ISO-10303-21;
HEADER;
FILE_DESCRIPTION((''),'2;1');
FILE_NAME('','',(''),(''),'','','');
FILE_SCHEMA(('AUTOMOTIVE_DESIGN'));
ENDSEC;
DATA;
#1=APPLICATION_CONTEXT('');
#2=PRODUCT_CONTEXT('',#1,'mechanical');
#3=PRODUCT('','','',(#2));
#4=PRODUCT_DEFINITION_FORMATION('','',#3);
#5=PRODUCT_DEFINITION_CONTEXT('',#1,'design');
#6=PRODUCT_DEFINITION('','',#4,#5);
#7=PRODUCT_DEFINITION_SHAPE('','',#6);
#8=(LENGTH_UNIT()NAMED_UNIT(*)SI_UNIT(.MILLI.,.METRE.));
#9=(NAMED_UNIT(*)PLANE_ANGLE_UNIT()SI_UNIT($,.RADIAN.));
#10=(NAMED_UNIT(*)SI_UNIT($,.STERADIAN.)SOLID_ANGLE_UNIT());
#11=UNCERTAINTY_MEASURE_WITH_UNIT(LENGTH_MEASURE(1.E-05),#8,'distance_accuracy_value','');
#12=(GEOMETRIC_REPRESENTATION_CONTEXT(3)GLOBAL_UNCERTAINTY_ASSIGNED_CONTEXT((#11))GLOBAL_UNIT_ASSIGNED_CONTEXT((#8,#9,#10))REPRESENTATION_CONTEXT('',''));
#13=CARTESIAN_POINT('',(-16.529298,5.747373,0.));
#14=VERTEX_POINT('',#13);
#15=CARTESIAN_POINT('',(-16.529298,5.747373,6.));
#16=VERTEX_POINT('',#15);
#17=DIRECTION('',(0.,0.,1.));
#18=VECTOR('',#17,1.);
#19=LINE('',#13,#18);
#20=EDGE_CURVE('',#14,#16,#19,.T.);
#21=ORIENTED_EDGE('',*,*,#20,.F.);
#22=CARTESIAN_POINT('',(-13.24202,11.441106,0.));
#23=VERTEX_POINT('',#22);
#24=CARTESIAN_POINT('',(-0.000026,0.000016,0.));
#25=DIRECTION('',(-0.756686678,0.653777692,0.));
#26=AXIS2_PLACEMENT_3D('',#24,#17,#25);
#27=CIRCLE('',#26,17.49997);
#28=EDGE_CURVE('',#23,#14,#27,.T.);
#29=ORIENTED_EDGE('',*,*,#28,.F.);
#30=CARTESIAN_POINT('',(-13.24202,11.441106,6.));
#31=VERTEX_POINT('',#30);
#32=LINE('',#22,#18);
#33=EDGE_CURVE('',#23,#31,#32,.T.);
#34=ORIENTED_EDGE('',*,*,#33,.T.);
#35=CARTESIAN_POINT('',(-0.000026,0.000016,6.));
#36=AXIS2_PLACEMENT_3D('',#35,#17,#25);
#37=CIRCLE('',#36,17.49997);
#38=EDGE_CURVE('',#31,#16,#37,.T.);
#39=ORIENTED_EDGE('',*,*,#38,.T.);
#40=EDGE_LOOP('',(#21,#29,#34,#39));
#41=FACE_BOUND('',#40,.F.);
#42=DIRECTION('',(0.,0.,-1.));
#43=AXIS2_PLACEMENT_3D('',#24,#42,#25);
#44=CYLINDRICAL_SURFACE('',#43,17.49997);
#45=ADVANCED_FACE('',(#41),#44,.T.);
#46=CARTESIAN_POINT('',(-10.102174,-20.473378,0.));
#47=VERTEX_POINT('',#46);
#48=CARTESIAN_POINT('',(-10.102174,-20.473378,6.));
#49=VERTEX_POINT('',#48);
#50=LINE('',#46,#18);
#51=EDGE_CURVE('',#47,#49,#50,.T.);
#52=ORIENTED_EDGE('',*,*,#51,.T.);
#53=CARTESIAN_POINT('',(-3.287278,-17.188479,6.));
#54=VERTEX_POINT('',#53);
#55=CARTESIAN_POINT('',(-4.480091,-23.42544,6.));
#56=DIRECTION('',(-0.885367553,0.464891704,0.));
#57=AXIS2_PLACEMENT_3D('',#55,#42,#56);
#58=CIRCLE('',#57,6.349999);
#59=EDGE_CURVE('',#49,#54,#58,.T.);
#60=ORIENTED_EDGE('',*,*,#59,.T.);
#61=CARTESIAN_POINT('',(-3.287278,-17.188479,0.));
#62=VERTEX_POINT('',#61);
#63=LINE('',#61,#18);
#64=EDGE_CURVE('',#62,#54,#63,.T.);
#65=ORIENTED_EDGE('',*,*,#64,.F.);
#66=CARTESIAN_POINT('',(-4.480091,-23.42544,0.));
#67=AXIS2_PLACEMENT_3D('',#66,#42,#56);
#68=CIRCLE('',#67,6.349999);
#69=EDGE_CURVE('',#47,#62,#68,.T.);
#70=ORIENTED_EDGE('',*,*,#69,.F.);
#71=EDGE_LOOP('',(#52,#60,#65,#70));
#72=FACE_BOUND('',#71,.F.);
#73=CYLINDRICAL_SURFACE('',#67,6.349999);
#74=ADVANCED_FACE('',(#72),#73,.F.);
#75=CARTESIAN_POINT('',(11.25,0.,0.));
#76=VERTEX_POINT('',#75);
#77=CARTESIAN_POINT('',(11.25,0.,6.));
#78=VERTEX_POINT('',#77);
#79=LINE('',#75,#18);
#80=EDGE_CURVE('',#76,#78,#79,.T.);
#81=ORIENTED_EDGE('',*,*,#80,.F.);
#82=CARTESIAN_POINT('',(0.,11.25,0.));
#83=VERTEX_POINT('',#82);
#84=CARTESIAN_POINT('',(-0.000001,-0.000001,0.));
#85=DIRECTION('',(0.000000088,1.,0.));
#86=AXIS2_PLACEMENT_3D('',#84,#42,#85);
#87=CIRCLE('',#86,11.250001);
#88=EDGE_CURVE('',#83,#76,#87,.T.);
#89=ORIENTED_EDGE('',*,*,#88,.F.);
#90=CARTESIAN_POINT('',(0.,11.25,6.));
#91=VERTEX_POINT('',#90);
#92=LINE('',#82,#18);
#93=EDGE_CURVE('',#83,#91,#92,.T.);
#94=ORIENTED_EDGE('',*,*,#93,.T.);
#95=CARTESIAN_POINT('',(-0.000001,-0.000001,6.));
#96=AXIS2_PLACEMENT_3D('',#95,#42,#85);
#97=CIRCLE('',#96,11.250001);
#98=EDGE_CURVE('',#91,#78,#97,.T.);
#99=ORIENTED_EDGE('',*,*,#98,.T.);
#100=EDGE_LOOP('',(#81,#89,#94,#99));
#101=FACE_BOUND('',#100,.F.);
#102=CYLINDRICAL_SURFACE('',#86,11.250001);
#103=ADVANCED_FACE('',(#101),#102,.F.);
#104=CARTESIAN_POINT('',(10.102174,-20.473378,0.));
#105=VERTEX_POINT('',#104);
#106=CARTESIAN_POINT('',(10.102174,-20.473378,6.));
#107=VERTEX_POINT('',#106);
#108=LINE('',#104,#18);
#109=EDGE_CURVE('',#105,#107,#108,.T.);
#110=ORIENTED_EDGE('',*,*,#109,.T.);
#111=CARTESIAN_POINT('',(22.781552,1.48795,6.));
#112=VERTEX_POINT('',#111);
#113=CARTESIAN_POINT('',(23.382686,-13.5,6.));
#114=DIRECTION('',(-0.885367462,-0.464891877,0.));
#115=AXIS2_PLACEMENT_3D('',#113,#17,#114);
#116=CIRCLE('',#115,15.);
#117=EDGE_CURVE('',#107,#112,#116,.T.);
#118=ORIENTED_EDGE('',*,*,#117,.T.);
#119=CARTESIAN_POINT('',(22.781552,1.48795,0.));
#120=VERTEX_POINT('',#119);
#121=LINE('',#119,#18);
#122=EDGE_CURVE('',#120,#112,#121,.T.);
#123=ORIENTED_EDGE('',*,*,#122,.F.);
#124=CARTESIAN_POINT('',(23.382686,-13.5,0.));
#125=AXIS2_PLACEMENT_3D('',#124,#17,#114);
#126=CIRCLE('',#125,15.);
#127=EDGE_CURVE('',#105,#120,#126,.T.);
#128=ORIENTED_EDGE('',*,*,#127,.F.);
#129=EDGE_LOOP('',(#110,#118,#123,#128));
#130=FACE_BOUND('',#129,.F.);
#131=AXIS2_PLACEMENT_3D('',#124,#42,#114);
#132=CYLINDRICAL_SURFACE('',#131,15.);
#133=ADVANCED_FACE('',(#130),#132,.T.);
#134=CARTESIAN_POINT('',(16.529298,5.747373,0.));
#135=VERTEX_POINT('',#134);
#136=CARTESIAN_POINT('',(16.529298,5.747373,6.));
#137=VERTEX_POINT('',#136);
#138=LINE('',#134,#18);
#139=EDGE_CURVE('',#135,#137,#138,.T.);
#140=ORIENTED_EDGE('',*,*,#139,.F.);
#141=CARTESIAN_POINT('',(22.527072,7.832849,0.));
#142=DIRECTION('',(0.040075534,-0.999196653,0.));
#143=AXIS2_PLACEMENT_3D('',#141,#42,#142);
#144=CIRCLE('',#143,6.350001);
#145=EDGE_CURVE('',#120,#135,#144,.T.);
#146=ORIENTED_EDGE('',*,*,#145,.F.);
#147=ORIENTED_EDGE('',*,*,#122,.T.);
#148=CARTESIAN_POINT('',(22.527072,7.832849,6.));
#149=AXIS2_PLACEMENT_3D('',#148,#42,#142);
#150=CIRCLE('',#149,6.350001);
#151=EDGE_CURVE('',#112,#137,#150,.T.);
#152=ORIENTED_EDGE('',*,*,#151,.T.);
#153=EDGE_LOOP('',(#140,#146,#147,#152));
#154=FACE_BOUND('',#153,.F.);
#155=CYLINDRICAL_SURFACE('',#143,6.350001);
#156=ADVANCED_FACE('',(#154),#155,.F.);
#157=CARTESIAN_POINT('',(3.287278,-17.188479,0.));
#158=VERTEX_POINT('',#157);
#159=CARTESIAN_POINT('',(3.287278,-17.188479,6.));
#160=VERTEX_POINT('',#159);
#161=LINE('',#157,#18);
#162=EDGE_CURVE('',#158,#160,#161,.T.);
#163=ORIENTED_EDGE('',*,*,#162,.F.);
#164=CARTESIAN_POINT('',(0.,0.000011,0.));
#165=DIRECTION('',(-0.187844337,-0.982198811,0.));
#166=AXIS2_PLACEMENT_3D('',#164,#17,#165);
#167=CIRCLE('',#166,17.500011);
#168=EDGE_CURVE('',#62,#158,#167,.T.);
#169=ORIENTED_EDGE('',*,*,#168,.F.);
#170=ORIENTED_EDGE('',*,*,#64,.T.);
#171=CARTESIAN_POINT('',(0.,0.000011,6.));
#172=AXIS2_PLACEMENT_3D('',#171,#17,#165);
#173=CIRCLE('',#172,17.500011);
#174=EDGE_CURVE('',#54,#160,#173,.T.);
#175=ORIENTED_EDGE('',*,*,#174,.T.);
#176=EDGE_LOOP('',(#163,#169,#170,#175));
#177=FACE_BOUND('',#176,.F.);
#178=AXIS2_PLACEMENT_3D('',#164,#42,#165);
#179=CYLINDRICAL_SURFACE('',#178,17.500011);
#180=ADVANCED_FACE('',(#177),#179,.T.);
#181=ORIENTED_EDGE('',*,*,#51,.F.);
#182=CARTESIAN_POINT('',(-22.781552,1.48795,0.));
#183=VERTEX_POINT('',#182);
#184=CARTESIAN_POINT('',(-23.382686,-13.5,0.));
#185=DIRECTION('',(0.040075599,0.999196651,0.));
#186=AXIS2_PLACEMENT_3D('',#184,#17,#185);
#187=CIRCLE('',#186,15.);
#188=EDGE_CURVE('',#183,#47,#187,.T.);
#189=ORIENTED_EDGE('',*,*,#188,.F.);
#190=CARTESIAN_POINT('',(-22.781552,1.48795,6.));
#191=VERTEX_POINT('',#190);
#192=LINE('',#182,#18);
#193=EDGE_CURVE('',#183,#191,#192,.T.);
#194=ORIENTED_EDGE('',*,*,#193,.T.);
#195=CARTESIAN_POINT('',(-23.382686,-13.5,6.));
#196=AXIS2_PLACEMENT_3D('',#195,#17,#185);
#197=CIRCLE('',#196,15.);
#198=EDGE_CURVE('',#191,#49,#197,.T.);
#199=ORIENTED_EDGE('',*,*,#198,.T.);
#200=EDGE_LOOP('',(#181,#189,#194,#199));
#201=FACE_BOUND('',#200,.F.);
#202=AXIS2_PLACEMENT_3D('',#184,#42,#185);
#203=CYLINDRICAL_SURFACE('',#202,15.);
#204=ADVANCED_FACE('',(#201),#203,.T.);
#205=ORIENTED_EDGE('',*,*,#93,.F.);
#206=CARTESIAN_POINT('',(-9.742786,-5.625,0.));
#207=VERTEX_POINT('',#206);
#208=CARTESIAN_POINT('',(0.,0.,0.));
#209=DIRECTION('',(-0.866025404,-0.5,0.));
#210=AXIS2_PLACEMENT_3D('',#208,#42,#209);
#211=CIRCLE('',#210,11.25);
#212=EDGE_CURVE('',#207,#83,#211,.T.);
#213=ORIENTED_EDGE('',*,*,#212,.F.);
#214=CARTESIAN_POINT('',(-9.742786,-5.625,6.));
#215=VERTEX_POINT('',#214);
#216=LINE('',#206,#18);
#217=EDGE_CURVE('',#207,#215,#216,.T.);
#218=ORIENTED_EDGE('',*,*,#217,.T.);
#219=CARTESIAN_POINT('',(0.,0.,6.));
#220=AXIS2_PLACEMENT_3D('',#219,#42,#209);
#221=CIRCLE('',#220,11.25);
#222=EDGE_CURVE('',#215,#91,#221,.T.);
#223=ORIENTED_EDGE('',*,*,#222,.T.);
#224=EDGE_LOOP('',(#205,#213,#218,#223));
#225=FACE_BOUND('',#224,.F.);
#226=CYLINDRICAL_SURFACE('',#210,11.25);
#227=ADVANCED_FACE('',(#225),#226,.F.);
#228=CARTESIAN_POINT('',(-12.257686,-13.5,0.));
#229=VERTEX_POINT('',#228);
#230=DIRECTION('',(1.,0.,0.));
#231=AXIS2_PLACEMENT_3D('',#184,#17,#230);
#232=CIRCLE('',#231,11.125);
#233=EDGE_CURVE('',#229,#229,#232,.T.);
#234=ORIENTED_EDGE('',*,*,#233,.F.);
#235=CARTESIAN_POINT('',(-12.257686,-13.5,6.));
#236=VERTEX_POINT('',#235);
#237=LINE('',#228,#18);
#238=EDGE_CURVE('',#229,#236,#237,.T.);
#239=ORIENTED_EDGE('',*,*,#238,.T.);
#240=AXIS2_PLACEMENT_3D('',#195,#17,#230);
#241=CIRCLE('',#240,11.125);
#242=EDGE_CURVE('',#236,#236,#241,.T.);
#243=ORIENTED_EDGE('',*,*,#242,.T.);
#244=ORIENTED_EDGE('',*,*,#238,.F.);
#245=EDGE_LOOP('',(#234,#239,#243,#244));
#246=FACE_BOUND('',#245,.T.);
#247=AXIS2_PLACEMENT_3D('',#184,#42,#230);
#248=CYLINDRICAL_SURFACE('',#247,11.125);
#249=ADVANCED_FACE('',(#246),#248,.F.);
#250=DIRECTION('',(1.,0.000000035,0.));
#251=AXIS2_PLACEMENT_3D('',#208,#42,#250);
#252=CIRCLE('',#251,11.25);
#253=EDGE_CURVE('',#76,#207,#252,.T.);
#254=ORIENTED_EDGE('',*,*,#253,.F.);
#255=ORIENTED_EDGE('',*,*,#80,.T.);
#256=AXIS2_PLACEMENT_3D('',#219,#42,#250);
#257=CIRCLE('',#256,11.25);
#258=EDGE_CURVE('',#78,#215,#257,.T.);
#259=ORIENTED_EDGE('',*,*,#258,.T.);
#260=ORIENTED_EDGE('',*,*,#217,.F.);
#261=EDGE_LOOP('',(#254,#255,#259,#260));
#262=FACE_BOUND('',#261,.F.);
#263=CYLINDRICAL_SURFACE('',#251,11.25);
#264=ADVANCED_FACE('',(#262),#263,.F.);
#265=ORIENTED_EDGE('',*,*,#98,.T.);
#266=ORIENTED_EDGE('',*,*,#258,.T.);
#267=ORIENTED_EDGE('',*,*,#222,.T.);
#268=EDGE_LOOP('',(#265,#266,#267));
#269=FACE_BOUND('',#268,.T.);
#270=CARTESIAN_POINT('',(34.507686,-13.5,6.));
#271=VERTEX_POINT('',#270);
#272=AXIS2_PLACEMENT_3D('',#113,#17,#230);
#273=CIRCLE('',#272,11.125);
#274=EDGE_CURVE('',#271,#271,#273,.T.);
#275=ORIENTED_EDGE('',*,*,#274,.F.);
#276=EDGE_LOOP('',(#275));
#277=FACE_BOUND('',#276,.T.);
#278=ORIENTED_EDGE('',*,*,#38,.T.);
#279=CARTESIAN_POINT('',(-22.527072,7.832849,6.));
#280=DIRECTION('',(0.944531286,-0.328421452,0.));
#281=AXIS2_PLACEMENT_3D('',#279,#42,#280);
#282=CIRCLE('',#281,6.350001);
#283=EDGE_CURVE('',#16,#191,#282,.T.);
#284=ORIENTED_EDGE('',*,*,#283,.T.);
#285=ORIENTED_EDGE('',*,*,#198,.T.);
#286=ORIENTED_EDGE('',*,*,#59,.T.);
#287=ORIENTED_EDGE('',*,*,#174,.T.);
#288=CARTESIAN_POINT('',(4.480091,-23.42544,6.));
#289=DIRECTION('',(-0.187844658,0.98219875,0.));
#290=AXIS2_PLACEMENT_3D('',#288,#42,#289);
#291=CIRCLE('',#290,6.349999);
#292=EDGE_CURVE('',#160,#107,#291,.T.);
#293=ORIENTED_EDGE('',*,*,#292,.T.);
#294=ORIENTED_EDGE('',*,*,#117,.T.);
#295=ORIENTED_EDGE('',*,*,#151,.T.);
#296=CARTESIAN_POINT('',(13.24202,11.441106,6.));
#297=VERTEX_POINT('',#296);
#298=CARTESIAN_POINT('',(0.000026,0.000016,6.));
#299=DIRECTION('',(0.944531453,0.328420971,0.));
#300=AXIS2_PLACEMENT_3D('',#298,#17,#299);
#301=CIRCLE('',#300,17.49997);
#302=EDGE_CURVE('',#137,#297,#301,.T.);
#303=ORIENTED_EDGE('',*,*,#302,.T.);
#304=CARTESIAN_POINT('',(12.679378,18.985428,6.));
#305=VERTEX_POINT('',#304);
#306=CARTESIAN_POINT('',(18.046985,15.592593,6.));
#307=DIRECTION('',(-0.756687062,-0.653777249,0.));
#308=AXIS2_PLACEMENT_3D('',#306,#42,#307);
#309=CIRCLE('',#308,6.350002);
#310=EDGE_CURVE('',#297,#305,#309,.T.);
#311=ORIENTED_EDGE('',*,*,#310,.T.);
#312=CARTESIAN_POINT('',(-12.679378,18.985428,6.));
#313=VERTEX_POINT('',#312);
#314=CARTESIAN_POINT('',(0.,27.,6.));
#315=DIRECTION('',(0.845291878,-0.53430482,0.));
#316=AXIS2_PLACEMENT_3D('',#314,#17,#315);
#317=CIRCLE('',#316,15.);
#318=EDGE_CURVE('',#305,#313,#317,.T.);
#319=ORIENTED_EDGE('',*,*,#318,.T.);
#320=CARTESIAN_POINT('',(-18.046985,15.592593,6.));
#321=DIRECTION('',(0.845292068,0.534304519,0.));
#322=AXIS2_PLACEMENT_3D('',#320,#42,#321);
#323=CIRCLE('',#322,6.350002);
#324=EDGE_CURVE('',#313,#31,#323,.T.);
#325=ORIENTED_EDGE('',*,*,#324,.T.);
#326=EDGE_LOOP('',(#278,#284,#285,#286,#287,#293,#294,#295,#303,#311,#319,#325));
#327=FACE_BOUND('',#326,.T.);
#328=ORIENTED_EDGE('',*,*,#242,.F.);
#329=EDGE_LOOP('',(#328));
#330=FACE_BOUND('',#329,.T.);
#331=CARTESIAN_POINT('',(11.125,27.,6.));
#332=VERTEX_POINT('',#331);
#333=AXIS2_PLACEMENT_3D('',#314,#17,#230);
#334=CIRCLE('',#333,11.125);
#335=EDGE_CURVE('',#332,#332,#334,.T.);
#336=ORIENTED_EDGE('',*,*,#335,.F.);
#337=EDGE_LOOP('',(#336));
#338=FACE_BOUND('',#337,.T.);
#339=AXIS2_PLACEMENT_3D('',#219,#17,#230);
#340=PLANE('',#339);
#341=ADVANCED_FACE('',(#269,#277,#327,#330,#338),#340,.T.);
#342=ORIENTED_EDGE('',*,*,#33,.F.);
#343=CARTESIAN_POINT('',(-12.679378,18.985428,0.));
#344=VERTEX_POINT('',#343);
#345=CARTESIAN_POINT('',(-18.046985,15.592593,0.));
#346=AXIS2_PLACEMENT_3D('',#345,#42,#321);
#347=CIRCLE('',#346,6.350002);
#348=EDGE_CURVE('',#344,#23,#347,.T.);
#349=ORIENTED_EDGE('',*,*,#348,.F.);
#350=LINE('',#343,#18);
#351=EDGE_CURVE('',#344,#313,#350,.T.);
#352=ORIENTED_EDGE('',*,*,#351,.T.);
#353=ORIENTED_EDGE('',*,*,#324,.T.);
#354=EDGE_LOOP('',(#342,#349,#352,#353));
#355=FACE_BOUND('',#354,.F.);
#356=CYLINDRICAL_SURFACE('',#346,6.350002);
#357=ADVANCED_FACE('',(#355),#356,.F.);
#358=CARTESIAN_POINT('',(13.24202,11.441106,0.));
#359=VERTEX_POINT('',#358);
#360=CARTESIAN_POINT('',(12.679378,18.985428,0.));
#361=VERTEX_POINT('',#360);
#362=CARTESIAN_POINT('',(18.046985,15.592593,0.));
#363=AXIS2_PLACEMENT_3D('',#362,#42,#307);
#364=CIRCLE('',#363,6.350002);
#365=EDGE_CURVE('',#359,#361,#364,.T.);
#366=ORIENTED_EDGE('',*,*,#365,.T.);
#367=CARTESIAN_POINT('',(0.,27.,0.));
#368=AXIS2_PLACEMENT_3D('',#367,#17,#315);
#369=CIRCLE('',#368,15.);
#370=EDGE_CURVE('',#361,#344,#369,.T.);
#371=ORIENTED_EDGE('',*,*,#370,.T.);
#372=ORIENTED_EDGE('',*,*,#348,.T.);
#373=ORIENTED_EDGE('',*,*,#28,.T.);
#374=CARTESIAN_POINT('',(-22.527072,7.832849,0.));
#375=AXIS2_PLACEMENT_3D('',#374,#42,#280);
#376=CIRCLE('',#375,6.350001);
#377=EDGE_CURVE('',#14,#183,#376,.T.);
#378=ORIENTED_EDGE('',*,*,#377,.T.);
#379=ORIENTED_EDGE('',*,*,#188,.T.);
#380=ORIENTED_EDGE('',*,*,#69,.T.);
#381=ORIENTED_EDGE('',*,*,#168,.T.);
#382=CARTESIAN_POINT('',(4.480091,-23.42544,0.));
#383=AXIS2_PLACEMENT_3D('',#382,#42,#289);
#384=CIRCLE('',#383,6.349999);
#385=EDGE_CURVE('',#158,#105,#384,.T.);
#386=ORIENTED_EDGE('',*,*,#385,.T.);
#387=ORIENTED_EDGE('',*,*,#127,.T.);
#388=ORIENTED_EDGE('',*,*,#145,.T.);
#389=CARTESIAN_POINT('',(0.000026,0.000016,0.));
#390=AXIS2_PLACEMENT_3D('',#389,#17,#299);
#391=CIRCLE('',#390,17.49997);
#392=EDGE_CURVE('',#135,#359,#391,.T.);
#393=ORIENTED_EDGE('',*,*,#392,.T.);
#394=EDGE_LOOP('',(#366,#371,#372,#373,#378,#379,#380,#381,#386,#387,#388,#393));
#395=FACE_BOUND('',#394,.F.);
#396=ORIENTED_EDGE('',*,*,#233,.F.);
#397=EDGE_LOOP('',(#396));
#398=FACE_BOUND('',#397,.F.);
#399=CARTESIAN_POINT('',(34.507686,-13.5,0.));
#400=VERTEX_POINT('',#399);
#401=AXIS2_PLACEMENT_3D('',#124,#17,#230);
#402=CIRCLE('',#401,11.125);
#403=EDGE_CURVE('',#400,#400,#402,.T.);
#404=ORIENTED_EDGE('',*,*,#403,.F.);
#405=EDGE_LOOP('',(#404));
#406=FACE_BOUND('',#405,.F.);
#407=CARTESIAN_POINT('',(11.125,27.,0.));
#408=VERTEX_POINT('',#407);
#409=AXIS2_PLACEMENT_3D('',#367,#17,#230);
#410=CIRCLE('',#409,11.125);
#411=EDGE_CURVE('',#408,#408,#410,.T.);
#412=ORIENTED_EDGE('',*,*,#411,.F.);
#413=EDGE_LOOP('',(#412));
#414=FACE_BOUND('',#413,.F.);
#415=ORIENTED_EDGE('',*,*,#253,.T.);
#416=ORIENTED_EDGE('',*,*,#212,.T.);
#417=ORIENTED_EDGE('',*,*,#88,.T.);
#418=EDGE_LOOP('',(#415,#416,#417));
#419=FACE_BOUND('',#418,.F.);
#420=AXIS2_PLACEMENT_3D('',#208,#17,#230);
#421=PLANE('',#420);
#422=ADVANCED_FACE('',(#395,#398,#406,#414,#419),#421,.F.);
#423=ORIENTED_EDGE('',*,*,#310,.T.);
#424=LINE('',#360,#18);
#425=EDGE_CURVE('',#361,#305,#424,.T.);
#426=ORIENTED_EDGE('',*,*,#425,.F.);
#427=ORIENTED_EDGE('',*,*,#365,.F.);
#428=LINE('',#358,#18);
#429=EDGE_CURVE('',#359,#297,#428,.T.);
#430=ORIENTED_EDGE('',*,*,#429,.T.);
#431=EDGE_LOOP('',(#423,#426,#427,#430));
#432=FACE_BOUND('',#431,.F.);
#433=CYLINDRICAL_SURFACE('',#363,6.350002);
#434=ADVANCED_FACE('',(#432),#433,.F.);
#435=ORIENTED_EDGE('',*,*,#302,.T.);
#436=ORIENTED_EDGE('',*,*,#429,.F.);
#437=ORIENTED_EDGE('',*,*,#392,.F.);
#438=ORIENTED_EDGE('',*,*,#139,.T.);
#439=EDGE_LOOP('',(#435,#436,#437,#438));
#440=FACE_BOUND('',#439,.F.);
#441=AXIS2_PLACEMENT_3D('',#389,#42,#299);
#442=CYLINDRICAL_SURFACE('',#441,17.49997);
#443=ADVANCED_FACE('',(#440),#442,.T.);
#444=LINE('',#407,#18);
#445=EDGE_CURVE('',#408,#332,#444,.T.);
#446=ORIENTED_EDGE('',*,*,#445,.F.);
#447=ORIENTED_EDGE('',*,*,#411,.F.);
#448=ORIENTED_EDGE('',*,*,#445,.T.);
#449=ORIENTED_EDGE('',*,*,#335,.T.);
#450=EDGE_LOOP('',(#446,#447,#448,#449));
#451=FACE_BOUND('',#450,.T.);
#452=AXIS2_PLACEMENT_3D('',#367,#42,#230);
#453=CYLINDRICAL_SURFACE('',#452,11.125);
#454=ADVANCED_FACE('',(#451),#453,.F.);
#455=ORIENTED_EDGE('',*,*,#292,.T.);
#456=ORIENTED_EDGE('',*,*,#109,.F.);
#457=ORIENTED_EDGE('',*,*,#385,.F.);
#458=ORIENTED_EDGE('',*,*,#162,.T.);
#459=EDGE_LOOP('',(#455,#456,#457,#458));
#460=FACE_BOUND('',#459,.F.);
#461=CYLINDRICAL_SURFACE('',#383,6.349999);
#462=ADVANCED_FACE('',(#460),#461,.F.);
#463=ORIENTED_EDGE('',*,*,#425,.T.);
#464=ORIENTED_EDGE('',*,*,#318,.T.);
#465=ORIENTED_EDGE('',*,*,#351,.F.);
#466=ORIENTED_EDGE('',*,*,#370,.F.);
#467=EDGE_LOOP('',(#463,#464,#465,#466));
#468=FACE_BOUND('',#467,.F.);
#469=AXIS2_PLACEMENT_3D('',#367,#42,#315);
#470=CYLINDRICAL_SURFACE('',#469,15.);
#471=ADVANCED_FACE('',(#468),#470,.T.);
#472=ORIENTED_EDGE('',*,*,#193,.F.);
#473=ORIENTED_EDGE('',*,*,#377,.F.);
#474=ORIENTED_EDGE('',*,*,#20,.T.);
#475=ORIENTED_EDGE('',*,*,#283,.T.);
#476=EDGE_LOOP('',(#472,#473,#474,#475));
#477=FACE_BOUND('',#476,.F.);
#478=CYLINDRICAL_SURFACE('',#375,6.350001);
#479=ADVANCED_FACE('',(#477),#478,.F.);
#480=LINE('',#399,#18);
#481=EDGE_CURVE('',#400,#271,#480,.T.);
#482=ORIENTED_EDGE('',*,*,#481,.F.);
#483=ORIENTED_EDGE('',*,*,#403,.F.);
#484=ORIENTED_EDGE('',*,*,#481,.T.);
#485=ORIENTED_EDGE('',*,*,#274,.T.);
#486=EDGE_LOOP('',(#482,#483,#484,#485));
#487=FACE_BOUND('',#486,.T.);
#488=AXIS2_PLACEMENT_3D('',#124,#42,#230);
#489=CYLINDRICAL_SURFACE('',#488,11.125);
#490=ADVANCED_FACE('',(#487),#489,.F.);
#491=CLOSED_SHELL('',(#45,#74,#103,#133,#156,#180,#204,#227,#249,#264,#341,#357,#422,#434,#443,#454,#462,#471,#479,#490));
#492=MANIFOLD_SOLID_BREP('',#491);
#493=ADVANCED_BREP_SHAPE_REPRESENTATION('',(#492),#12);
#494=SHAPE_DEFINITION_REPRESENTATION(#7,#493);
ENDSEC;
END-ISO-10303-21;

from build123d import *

# Parameters (mm, degrees)
F0_R     = 11.125
F1_DEPTH = 6


with BuildPart() as f1:
    # F0 (on Top) → F1 (new body)
    with BuildSketch(Plane.XY):
        with BuildLine():
            ThreePointArc((-12.679378, 18.985428), (-11.714568, 15.120333), (-13.24202, 11.441106))
            ThreePointArc((-13.24202, 11.441106), (-15.155445, 8.75), (-16.529298, 5.747373))
            ThreePointArc((-16.529298, 5.747373), (-18.951876, 2.584947), (-22.781552, 1.48795))
            ThreePointArc((-22.781552, 1.48795), (-36.373067, -21), (-10.102174, -20.473378))
            ThreePointArc((-10.102174, -20.473378), (-7.237308, -17.705279), (-3.287278, -17.188479))
            ThreePointArc((-3.287278, -17.188479), (0, -17.5), (3.287278, -17.188479))
            ThreePointArc((3.287278, -17.188479), (7.237308, -17.705279), (10.102174, -20.473378))
            ThreePointArc((10.102174, -20.473378), (36.373067, -21), (22.781552, 1.48795))
            ThreePointArc((22.781552, 1.48795), (18.951876, 2.584947), (16.529298, 5.747373))
            ThreePointArc((16.529298, 5.747373), (15.155445, 8.75), (13.24202, 11.441106))
            ThreePointArc((13.24202, 11.441106), (11.714568, 15.120333), (12.679378, 18.985428))
            ThreePointArc((12.679378, 18.985428), (0, 42), (-12.679378, 18.985428))
        make_face()
        with Locations((-23.382686, -13.5)):
            Circle(F0_R, mode=Mode.SUBTRACT)
        with BuildLine():
            ThreePointArc((0, 11.25), (7.954951, 7.954951), (11.25, 0))
            ThreePointArc((11.25, 0), (2.911714, -10.866666), (-9.742786, -5.625))
            ThreePointArc((-9.742786, -5.625), (-9.742786, 5.625), (0, 11.25))
        make_face(mode=Mode.SUBTRACT)
        with Locations((23.382686, -13.5)):
            Circle(F0_R, mode=Mode.SUBTRACT)
        with Locations((0, 27)):
            Circle(F0_R, mode=Mode.SUBTRACT)
    extrude(amount=F1_DEPTH)


solid = f1.part
